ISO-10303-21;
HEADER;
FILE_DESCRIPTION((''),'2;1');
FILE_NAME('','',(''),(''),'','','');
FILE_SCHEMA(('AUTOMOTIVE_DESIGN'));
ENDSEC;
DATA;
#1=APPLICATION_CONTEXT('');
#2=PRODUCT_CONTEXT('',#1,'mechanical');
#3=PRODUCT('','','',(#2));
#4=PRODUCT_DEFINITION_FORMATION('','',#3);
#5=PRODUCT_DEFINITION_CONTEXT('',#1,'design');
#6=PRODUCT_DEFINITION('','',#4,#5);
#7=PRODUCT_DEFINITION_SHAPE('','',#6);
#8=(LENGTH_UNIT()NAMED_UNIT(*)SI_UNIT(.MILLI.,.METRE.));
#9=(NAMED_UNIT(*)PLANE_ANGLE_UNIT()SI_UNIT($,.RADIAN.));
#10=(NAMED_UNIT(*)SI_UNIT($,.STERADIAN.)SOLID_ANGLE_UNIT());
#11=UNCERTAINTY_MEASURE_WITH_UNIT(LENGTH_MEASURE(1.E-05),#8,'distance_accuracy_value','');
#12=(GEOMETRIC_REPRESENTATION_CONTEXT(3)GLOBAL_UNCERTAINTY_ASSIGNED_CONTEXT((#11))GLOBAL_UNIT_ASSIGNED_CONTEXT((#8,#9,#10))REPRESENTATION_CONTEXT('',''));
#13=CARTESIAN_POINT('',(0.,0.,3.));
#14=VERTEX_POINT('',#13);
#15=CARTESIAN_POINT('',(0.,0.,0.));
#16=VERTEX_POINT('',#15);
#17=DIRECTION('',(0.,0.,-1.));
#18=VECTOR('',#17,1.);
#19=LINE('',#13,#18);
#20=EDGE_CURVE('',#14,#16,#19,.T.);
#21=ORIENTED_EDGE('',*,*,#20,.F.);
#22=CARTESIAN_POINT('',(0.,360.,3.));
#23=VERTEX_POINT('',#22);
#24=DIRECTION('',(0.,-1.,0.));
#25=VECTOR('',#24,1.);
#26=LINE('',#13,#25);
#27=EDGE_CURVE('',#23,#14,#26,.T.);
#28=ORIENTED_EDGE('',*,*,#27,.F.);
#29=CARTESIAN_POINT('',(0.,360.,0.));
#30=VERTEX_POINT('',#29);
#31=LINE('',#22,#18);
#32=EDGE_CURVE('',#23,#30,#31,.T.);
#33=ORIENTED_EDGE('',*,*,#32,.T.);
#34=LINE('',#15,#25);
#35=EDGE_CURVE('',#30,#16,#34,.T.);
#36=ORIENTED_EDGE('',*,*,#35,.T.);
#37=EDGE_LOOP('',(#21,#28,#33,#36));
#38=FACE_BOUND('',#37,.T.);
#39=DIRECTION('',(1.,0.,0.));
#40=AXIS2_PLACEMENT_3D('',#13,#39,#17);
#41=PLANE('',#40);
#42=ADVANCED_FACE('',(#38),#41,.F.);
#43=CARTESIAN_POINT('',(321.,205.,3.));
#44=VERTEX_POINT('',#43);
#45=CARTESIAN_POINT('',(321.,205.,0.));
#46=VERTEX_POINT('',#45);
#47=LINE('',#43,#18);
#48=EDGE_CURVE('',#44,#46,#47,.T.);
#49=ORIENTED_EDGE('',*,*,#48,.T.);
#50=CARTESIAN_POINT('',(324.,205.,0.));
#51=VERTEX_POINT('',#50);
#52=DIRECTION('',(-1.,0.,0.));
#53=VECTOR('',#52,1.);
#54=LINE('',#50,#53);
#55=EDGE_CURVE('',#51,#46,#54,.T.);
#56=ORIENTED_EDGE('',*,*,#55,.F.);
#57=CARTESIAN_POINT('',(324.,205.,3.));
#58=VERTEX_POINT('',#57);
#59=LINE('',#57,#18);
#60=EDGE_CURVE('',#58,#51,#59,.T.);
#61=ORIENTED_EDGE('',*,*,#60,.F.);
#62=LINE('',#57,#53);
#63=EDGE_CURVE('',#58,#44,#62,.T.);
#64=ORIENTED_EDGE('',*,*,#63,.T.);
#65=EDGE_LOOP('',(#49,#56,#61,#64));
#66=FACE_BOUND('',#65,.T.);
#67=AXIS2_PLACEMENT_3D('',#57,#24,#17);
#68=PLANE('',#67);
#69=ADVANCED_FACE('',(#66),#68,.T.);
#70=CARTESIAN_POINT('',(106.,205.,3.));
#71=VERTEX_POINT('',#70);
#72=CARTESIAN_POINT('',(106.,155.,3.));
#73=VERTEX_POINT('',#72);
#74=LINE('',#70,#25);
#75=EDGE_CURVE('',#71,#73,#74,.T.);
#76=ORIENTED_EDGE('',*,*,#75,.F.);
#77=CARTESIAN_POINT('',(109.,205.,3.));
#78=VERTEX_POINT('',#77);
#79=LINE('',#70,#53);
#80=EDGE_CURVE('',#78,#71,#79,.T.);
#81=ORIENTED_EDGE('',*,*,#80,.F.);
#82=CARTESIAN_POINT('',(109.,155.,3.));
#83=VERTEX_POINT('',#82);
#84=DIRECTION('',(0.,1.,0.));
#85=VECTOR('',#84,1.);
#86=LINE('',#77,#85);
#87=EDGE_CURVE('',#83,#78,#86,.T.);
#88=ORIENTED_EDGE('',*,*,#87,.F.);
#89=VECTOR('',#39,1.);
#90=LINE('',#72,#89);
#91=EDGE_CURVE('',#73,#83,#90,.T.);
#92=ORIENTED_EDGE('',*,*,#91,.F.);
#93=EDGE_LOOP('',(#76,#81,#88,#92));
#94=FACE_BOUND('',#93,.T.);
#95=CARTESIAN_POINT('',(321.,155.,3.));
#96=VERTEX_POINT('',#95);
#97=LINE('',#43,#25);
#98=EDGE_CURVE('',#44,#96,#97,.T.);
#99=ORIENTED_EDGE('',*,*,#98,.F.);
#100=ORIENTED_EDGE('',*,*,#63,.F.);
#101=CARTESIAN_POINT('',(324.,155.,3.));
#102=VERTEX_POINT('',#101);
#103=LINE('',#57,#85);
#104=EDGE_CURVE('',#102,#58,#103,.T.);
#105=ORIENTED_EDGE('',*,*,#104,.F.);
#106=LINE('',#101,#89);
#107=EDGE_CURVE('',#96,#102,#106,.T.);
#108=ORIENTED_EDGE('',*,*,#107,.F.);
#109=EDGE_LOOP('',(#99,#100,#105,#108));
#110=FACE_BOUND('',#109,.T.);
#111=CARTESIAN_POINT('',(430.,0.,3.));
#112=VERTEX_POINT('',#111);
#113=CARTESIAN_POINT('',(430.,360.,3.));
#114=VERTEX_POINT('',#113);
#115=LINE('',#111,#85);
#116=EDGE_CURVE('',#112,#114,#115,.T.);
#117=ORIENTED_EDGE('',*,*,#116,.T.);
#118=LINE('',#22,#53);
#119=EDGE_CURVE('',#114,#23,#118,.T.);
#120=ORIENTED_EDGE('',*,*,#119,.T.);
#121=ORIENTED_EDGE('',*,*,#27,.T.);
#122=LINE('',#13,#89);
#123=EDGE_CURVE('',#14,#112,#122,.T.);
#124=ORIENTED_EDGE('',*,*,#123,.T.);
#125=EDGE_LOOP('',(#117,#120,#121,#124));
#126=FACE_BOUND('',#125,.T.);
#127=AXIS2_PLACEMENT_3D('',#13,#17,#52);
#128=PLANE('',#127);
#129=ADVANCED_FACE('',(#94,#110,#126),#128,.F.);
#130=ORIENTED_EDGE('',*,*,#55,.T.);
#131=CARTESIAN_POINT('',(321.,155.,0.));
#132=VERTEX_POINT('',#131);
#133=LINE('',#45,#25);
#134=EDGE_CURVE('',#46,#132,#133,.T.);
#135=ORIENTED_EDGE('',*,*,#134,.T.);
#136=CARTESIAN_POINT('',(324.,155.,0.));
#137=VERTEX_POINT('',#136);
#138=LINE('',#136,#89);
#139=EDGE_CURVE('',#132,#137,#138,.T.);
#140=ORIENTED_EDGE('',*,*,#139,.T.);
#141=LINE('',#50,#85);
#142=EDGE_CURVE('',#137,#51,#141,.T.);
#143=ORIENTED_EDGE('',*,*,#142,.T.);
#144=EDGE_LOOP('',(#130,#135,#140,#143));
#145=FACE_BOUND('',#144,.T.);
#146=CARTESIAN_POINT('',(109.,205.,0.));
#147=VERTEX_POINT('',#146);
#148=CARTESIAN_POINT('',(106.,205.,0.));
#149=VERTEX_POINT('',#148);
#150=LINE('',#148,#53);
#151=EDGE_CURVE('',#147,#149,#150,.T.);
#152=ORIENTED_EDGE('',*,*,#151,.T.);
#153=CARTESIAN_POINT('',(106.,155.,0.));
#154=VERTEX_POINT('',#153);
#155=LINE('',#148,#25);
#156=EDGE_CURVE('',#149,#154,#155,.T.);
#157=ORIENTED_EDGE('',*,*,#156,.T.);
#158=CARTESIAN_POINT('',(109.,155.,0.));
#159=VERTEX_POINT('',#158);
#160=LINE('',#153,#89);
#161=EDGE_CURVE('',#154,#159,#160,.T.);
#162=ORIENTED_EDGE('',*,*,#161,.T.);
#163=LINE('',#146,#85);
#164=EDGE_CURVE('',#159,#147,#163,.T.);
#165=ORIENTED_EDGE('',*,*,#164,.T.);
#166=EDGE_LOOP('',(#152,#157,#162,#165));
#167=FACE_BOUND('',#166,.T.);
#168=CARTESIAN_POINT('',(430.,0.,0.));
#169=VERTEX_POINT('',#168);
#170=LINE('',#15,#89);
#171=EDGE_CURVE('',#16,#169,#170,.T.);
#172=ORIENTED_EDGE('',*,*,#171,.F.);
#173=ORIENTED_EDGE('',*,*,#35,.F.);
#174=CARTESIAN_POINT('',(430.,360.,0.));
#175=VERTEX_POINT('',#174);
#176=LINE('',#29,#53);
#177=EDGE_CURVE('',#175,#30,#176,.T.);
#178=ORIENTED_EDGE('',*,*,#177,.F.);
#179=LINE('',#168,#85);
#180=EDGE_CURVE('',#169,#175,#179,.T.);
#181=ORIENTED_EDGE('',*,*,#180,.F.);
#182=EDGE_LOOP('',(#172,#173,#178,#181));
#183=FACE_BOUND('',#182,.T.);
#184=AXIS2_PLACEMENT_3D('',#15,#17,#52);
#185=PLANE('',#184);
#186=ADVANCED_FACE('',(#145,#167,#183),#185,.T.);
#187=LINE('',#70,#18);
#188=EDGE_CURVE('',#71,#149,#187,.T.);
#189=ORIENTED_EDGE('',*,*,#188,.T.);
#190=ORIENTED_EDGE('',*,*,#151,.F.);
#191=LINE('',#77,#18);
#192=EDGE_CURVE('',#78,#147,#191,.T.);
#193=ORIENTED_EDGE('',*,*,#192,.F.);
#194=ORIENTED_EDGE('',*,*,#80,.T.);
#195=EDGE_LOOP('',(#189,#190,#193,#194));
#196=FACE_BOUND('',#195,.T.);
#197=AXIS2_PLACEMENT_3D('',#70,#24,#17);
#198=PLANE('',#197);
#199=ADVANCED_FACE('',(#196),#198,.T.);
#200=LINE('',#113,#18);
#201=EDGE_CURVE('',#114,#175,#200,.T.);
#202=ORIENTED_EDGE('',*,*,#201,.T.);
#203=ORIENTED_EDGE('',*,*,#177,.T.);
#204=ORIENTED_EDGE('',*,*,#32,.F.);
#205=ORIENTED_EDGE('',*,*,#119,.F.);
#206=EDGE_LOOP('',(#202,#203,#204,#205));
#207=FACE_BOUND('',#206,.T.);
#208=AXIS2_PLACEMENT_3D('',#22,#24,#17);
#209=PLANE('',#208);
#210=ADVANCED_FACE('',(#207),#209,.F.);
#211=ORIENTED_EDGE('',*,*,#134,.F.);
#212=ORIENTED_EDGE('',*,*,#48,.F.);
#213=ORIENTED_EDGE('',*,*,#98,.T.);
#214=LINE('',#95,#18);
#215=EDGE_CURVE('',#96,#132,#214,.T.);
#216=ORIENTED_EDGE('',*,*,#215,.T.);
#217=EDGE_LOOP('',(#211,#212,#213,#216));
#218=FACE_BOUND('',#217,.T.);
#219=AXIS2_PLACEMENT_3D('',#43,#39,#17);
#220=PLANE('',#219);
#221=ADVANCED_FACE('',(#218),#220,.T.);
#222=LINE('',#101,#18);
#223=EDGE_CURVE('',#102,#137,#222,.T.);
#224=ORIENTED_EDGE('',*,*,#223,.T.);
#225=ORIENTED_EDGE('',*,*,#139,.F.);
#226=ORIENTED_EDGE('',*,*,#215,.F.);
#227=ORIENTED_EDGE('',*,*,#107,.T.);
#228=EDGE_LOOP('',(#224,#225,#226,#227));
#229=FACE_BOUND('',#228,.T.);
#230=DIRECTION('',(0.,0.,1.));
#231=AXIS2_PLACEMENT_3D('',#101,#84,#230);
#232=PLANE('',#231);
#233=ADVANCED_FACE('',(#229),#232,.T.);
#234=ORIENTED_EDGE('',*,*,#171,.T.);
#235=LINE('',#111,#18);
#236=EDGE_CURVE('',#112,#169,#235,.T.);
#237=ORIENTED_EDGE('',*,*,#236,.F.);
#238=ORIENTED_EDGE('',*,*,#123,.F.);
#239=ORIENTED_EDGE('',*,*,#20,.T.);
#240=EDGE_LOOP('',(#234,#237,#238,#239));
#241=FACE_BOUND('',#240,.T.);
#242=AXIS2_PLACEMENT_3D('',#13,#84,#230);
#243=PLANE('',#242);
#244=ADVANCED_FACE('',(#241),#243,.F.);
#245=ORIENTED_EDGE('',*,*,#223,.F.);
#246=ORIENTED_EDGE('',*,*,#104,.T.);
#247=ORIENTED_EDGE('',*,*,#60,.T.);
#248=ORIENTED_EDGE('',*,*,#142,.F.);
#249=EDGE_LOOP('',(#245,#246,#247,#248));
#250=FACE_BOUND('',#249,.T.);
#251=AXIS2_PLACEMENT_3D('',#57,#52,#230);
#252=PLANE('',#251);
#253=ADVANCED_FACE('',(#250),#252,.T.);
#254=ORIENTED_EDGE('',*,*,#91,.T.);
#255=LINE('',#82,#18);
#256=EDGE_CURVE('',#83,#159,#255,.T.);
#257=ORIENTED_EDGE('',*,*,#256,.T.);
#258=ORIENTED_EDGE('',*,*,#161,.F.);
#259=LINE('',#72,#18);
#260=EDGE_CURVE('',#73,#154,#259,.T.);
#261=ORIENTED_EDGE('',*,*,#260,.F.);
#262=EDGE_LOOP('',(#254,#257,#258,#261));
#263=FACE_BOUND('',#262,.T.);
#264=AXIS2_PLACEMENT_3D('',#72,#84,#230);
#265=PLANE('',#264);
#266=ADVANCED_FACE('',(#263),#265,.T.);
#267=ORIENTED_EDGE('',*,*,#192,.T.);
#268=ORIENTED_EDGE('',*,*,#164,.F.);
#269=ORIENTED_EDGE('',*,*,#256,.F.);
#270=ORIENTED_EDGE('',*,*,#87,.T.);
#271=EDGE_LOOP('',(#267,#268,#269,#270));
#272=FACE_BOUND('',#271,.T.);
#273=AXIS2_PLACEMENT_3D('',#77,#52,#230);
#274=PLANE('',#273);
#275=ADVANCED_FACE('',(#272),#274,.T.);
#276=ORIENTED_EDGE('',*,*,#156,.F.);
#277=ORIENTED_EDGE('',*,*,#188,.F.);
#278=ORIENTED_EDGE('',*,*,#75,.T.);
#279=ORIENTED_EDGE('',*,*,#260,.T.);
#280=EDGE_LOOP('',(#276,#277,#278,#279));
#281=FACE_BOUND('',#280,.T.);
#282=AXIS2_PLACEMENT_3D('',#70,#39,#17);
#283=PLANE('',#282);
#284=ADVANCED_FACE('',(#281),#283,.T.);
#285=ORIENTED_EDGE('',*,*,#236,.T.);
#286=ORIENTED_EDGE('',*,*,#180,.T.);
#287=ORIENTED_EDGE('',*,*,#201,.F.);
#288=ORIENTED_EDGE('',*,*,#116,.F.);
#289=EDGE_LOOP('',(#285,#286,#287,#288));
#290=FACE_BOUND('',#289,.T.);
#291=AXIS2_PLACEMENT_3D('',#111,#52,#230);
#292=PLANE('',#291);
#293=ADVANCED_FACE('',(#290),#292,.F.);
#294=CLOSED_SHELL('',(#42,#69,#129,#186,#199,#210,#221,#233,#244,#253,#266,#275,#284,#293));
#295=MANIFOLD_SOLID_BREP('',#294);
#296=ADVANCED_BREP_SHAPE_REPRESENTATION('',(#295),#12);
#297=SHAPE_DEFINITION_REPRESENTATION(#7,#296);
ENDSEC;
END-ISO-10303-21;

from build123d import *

# Parameters (mm, degrees)
ESQUISSE1_W        = 430
ESQUISSE1_H        = 360
ESQUISSE1_W_2      = 3
ESQUISSE1_H_2      = 50
BOSS_EXTRU_1_DEPTH = 3


with BuildPart() as part:
    # Esquisse1 → Boss.-Extru.1 (new body)
    with BuildSketch(Plane.XY):
        with Locations((215, 180)):
            Rectangle(ESQUISSE1_W, ESQUISSE1_H)
        with Locations((322.5, 180)):
            Rectangle(ESQUISSE1_W_2, ESQUISSE1_H_2, mode=Mode.SUBTRACT)
        with Locations((107.5, 180)):
            Rectangle(ESQUISSE1_W_2, ESQUISSE1_H_2, mode=Mode.SUBTRACT)
    extrude(amount=BOSS_EXTRU_1_DEPTH)


solid = part.part
